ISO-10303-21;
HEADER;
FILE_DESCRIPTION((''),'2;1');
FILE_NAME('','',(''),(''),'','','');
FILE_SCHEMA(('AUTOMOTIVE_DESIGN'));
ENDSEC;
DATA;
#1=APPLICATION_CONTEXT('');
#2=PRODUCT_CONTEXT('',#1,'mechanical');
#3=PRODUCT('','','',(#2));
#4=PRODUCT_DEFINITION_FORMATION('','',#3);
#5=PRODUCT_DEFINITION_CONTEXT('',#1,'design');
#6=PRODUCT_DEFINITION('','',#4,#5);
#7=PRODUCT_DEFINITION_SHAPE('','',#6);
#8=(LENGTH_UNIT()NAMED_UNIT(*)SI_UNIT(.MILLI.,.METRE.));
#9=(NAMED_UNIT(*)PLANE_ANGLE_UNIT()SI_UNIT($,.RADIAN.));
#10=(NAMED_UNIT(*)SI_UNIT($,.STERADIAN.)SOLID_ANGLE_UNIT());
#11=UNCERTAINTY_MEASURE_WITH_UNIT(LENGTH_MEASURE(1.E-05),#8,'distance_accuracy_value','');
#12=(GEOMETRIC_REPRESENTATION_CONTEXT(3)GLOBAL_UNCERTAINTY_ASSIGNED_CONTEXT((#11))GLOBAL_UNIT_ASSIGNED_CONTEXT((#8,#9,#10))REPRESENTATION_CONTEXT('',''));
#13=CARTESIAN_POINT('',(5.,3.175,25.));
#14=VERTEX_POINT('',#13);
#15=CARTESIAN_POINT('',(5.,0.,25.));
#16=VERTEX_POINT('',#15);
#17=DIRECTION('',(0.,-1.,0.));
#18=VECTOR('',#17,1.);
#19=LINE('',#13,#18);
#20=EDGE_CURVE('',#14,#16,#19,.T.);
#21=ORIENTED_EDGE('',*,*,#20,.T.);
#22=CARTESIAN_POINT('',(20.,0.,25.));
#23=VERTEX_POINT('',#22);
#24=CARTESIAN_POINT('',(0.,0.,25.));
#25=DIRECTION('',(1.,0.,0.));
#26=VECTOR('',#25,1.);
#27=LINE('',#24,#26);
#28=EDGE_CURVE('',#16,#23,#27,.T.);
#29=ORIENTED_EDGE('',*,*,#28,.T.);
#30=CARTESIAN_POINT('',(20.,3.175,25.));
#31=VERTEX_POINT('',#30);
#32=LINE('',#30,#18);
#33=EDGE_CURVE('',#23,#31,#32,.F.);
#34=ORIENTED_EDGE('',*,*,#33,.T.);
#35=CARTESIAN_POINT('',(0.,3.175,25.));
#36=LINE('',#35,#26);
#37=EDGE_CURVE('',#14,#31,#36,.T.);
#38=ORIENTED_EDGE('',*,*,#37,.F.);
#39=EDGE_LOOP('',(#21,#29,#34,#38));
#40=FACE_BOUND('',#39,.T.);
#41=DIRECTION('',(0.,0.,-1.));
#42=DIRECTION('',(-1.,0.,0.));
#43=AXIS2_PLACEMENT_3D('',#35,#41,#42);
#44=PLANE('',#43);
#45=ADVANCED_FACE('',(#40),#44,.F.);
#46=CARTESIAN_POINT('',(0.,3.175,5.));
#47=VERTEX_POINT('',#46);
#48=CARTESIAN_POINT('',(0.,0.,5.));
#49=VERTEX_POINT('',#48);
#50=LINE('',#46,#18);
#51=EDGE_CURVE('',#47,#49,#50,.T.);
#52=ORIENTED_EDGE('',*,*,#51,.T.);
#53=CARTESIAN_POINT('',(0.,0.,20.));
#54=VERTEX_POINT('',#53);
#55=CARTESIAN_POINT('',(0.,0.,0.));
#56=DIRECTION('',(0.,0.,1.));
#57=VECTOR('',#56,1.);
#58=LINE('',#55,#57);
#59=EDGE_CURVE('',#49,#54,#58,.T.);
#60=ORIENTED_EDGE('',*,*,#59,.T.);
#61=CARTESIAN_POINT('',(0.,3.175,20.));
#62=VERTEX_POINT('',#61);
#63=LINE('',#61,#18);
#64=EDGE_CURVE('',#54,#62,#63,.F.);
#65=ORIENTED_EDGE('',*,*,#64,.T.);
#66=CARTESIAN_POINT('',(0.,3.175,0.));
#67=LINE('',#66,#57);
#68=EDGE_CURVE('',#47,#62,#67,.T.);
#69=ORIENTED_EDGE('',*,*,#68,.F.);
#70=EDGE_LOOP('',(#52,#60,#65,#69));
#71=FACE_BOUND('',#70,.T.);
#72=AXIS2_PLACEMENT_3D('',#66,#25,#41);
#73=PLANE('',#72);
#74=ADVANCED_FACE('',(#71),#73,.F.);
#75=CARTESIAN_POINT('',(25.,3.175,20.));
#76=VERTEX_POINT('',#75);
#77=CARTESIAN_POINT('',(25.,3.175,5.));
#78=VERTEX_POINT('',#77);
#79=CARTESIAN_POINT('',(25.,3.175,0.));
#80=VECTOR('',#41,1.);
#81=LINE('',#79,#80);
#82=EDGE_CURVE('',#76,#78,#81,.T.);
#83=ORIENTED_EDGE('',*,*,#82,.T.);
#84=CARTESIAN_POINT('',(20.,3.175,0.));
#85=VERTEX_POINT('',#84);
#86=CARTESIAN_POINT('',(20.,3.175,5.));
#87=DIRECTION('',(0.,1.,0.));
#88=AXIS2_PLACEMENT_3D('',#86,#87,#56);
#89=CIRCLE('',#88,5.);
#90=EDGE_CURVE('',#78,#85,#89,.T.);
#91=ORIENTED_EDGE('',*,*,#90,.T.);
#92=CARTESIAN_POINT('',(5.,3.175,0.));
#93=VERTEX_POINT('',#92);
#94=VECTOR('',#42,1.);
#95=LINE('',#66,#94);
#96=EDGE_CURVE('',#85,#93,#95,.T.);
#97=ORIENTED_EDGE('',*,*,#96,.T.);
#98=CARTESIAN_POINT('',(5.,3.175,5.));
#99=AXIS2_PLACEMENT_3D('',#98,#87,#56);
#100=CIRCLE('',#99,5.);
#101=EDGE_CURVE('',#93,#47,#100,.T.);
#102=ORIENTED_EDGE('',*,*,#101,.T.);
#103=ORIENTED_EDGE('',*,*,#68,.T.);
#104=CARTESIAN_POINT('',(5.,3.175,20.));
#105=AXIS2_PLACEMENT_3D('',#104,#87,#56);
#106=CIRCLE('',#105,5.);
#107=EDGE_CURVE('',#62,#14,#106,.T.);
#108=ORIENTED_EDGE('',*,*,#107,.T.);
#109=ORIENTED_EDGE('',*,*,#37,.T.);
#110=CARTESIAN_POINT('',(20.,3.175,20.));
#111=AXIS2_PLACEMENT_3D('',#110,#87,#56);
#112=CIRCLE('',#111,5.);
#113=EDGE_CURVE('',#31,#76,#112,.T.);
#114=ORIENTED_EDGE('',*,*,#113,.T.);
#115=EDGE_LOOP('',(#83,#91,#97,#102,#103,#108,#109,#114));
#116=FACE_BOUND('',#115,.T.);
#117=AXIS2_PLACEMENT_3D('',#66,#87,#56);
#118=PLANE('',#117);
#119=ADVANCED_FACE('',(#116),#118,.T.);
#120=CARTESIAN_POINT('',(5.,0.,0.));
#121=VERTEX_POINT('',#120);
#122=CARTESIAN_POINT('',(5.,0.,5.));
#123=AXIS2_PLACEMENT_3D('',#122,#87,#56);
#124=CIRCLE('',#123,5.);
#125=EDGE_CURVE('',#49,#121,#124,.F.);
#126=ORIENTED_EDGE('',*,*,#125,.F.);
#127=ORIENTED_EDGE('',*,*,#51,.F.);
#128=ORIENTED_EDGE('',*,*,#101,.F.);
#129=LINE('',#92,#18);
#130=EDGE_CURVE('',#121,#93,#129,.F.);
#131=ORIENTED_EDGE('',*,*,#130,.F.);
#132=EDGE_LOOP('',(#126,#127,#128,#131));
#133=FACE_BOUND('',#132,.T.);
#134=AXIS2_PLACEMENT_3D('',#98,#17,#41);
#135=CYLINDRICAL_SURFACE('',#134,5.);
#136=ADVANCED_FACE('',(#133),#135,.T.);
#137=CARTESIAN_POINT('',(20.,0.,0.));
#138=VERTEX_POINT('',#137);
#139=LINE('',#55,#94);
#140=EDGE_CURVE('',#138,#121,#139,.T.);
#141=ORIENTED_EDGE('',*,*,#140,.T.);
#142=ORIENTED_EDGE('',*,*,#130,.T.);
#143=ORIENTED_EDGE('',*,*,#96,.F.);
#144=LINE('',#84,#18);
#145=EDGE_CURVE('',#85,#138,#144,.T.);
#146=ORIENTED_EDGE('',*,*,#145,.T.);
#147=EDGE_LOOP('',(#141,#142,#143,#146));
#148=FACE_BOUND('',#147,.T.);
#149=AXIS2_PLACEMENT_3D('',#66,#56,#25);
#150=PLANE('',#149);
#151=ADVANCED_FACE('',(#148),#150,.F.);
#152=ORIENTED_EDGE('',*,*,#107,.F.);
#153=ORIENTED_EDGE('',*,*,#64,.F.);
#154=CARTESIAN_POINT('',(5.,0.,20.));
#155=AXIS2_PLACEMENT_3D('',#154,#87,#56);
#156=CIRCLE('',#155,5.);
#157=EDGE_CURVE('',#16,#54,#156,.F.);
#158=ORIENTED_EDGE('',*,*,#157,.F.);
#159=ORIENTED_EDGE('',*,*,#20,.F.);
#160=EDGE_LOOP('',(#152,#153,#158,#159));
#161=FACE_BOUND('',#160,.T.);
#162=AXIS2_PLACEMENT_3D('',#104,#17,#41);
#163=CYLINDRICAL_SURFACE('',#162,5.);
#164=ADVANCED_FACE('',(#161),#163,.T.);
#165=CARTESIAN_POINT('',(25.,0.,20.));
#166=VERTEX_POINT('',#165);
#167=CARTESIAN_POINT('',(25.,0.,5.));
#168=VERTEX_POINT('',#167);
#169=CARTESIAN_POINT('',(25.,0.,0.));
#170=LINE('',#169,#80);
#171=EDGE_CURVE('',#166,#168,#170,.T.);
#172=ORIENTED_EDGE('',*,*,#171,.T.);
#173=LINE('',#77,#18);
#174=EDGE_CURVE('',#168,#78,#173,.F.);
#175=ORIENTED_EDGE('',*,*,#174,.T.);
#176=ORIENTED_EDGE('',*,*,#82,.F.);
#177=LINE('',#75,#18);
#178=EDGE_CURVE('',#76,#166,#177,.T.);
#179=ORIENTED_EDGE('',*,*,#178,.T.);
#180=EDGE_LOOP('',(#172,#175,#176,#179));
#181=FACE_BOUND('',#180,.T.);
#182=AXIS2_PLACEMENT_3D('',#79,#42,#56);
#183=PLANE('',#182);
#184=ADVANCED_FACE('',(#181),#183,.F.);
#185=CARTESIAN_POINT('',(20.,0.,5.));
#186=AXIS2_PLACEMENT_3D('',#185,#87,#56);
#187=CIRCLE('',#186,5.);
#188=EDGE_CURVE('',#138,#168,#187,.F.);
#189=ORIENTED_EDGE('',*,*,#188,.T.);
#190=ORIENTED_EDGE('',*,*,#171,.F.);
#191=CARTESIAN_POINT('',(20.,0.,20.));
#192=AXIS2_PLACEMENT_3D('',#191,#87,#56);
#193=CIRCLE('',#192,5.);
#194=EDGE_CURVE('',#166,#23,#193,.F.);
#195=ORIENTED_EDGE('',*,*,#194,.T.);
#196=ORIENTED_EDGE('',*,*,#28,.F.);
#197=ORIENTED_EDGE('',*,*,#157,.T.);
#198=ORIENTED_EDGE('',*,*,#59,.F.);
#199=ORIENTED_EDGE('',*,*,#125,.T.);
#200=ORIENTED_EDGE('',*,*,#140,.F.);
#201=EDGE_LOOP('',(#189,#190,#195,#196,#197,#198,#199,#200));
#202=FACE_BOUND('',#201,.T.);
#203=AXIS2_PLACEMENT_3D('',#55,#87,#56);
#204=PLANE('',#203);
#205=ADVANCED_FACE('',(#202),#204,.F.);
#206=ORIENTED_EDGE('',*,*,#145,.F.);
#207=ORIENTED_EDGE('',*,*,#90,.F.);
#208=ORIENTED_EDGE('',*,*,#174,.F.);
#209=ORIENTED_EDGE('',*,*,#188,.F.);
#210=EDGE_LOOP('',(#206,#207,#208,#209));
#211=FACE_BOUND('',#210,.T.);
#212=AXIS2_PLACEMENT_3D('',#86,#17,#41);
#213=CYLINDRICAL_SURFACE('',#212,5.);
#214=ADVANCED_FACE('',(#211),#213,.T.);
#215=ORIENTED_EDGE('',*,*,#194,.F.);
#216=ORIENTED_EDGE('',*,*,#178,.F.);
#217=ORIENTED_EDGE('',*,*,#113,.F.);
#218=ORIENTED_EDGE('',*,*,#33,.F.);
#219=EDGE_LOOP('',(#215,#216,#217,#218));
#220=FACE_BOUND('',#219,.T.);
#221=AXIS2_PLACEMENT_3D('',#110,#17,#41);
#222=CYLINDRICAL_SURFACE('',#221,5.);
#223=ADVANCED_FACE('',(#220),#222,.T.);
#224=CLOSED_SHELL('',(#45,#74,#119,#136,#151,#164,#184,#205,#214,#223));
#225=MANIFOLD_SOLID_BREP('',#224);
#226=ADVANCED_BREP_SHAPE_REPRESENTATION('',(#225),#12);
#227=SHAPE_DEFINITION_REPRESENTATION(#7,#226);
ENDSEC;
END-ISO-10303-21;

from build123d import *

# Parameters (mm, degrees)
SKETCH1_W           = 25
SKETCH1_H           = 25
BOSS_EXTRUDE1_DEPTH = 3.175
FILLET1_R           = 5


with BuildPart() as part:
    # Sketch1 → Boss-Extrude1 (new body)
    with BuildSketch(Plane(origin=(0, 0, 0), x_dir=(1, 0, 0), z_dir=(0, 1, 0))):
        with Locations((12.5, -12.5)):
            Rectangle(SKETCH1_W, SKETCH1_H)
    extrude(amount=BOSS_EXTRUDE1_DEPTH)

    # Fillet1
    fillet1_edges = [part.edges().sort_by_distance(p)[0] for p in [
        (0, 1.5875, 0),
        (25, 1.5875, 0),
        (25, 1.5875, 25),
        (0, 1.5875, 25),
    ]]
    fillet(fillet1_edges, radius=FILLET1_R)


solid = part.part
